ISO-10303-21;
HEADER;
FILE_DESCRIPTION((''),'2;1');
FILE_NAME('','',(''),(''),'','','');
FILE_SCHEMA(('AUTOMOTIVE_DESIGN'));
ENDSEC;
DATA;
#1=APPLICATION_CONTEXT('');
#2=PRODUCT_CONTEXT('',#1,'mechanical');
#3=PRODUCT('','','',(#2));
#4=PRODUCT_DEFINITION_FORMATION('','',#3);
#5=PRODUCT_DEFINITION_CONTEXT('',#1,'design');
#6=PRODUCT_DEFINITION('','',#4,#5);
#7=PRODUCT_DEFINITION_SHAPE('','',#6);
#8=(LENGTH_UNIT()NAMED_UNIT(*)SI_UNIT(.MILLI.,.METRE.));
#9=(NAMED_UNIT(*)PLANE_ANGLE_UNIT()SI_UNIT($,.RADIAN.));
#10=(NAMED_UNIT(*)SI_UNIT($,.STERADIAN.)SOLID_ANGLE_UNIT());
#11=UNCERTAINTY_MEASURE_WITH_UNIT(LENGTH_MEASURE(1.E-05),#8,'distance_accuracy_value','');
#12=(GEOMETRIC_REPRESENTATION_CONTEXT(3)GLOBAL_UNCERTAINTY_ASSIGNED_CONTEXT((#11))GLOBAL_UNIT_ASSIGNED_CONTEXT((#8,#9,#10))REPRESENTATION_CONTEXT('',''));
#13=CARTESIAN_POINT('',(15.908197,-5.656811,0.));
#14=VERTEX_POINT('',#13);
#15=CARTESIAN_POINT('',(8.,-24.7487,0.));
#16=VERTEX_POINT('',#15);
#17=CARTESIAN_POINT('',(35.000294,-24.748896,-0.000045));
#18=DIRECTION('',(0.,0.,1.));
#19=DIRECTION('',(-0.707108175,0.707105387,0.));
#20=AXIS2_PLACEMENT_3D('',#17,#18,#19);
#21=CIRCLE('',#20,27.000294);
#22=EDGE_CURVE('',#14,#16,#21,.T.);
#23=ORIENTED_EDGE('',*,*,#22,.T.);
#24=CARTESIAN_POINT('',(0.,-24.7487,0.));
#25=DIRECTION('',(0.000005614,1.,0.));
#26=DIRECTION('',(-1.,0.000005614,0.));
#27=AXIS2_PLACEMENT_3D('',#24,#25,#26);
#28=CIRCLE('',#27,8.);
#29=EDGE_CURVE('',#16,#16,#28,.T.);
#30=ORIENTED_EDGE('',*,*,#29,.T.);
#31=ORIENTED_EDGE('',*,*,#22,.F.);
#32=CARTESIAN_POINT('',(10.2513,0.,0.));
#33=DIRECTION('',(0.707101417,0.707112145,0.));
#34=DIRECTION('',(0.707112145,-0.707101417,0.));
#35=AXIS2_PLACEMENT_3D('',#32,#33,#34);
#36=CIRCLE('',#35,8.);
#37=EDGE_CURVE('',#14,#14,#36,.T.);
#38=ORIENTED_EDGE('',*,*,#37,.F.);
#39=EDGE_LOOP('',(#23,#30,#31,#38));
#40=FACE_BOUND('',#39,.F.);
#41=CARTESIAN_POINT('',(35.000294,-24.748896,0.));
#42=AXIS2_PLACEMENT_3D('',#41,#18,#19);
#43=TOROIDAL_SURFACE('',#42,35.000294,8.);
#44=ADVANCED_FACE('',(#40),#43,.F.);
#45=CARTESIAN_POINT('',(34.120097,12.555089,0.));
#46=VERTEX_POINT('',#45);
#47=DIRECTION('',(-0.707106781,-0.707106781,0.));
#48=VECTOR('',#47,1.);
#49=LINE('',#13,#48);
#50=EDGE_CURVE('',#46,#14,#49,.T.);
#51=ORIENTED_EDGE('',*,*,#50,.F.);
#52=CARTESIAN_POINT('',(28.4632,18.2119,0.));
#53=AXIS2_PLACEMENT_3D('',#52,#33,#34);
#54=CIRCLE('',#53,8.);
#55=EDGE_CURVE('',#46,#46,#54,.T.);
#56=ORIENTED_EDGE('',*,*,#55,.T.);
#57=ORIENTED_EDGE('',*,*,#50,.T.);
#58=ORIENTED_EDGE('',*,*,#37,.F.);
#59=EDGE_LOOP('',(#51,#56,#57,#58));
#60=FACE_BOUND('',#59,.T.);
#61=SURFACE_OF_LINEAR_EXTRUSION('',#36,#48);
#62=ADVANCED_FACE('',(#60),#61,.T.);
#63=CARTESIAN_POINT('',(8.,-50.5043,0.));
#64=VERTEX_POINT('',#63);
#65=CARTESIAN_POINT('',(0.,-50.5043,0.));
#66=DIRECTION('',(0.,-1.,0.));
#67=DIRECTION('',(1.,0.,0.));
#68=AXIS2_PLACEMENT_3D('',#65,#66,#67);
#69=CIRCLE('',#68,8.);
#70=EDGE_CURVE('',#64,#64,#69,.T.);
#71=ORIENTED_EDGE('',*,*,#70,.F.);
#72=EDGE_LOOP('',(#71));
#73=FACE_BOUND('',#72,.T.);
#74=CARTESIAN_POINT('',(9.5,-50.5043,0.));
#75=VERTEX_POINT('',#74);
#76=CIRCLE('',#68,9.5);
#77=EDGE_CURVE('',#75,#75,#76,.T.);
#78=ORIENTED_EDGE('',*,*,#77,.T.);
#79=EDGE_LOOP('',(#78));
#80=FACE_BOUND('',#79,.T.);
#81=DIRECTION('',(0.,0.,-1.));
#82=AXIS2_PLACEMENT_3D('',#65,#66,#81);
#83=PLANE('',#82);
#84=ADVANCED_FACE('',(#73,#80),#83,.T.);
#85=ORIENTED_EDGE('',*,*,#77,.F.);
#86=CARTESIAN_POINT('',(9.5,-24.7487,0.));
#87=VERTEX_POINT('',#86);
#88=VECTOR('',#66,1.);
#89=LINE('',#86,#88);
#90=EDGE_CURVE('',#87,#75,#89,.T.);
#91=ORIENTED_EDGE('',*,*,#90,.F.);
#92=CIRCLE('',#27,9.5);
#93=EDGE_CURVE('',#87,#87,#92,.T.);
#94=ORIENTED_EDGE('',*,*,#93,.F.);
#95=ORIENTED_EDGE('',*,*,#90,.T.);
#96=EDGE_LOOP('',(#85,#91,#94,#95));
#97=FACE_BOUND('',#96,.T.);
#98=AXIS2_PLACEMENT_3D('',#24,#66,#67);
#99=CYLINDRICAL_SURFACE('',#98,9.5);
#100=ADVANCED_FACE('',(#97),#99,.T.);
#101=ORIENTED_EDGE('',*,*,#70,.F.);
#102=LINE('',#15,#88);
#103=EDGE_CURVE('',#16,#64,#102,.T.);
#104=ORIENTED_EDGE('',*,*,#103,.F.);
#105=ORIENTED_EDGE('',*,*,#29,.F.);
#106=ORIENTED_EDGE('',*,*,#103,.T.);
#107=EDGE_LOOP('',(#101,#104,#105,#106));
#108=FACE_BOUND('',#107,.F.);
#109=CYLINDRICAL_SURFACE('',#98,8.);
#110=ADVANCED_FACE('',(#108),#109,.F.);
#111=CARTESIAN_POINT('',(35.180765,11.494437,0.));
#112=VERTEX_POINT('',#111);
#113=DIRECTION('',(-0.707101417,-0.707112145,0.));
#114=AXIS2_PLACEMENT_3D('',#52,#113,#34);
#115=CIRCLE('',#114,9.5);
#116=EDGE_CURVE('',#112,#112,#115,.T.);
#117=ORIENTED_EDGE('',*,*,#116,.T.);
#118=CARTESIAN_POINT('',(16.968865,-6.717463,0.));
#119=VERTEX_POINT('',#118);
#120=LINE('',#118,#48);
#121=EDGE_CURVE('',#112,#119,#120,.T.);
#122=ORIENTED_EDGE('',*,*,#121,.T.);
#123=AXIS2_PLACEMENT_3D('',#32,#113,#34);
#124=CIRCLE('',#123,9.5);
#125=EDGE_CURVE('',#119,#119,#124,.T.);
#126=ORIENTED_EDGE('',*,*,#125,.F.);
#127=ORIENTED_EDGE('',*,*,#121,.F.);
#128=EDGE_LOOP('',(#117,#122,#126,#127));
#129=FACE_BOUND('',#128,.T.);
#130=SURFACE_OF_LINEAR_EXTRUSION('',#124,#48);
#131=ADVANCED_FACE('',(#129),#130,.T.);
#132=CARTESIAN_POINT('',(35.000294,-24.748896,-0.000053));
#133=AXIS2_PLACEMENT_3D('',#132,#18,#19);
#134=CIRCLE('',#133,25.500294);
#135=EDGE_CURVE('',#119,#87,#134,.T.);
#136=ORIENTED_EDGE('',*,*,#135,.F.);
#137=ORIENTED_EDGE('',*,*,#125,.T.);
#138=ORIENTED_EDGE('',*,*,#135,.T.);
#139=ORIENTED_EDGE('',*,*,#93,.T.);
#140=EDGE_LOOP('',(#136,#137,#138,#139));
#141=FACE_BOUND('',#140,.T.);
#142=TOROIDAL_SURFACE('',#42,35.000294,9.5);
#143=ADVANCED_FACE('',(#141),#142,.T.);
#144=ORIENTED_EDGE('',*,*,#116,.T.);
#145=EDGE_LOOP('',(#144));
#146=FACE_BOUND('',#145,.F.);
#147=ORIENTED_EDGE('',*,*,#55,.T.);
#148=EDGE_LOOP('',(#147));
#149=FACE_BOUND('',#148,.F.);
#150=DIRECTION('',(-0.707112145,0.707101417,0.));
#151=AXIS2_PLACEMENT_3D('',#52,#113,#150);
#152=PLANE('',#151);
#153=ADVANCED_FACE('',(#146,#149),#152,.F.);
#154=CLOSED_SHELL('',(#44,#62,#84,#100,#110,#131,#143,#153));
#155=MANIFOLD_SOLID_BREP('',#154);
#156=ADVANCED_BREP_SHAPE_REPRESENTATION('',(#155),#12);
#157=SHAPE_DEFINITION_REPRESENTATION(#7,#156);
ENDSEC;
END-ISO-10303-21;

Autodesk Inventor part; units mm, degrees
ref_plane "YZ Plane" through (0, 0, 0) normal (1, 0, 0) x (0, 1, 0)
ref_plane "XZ Plane" through (0, 0, 0) normal (0, 1, 0) x (-1, 0, 0)
sketch "Szkic6" plane through (0, 0, 0) normal (0, 0, 1) x (1, 0, 0)
  line L0 (-29.6067, 0) -> (35.2678, 0) construction
  line L1 (0, 42.3419) -> (0, -58.3726) construction
  arc A0 (10.2513, 0) -> (0, -24.7487) centre (35, -24.7487) ccw
  line L2 (0, -24.7487) -> (35, -24.7487) construction
  line L3 (35, -24.7487) -> (-11.3389, 21.5902) construction
  line L4 (10.2513, 0) -> (28.4632, 18.2119)
  line L5 (0, -24.7487) -> (0, -50.5043)
  point P0 (0, 0)
  dimension "d24" = 35
  dimension "d31" = 45
  dimension "d36" = 25.7555
  dimension "d37" = 25.7555
ref_plane "Płaszczyzna konstrukcyjna2" through (0, -24.7487, 0) normal (0, -1, 0) x (1, 0, 0)
sketch "Szkic8" plane through (0, -24.7487, 0) normal (0, -1, 0) x (1, 0, 0)
  circle A0 centre (0, 0) radius 9.5
  circle A1 centre (0, 0) radius 8
  dimension "d32" = 19
  dimension "d33" = 1.5
sweep "Przeciągnięcie2" add profiles "Szkic8" path "Szkic6"
equation "\"d32\" = OD"
equation "\"d33\" = THK"
equation "\"d24\" = R"
equation "\"d31\" = KAT"
equation "\"d36\" = PROSTKA"
equation "\"d37\" = PROSTKA"
equation "\"SzerokośćGięciaPodcięcia\" = Grubość"
equation "\"RozmiarPodcięciaNarożnika\" = 4 * Grubość"
equation "\"PromieńPrzejścia\" = PromieńGięcia"
equation "\"Rozmiar_promienia_Jacobiego\" = PromieńGięcia"
equation "\"Wielk_odstępu\" = Grubość"
equation "\"d2\" = PromieńGięcia"
equation "\"d23\" = PromieńGięcia"
equation "\"R\" = 35"
equation "\"OD\" = 19"
equation "\"THK\" = 1.5"
equation "\"KAT\" = 45deg"
equation "\"PROSTKA\" = 25.75553"
equation "\"Grubość\" = 1.5"
equation "\"PromieńGięcia\" = 3"
properties part number "Kolano 45° ø19x1,5 R35" material "304L"
